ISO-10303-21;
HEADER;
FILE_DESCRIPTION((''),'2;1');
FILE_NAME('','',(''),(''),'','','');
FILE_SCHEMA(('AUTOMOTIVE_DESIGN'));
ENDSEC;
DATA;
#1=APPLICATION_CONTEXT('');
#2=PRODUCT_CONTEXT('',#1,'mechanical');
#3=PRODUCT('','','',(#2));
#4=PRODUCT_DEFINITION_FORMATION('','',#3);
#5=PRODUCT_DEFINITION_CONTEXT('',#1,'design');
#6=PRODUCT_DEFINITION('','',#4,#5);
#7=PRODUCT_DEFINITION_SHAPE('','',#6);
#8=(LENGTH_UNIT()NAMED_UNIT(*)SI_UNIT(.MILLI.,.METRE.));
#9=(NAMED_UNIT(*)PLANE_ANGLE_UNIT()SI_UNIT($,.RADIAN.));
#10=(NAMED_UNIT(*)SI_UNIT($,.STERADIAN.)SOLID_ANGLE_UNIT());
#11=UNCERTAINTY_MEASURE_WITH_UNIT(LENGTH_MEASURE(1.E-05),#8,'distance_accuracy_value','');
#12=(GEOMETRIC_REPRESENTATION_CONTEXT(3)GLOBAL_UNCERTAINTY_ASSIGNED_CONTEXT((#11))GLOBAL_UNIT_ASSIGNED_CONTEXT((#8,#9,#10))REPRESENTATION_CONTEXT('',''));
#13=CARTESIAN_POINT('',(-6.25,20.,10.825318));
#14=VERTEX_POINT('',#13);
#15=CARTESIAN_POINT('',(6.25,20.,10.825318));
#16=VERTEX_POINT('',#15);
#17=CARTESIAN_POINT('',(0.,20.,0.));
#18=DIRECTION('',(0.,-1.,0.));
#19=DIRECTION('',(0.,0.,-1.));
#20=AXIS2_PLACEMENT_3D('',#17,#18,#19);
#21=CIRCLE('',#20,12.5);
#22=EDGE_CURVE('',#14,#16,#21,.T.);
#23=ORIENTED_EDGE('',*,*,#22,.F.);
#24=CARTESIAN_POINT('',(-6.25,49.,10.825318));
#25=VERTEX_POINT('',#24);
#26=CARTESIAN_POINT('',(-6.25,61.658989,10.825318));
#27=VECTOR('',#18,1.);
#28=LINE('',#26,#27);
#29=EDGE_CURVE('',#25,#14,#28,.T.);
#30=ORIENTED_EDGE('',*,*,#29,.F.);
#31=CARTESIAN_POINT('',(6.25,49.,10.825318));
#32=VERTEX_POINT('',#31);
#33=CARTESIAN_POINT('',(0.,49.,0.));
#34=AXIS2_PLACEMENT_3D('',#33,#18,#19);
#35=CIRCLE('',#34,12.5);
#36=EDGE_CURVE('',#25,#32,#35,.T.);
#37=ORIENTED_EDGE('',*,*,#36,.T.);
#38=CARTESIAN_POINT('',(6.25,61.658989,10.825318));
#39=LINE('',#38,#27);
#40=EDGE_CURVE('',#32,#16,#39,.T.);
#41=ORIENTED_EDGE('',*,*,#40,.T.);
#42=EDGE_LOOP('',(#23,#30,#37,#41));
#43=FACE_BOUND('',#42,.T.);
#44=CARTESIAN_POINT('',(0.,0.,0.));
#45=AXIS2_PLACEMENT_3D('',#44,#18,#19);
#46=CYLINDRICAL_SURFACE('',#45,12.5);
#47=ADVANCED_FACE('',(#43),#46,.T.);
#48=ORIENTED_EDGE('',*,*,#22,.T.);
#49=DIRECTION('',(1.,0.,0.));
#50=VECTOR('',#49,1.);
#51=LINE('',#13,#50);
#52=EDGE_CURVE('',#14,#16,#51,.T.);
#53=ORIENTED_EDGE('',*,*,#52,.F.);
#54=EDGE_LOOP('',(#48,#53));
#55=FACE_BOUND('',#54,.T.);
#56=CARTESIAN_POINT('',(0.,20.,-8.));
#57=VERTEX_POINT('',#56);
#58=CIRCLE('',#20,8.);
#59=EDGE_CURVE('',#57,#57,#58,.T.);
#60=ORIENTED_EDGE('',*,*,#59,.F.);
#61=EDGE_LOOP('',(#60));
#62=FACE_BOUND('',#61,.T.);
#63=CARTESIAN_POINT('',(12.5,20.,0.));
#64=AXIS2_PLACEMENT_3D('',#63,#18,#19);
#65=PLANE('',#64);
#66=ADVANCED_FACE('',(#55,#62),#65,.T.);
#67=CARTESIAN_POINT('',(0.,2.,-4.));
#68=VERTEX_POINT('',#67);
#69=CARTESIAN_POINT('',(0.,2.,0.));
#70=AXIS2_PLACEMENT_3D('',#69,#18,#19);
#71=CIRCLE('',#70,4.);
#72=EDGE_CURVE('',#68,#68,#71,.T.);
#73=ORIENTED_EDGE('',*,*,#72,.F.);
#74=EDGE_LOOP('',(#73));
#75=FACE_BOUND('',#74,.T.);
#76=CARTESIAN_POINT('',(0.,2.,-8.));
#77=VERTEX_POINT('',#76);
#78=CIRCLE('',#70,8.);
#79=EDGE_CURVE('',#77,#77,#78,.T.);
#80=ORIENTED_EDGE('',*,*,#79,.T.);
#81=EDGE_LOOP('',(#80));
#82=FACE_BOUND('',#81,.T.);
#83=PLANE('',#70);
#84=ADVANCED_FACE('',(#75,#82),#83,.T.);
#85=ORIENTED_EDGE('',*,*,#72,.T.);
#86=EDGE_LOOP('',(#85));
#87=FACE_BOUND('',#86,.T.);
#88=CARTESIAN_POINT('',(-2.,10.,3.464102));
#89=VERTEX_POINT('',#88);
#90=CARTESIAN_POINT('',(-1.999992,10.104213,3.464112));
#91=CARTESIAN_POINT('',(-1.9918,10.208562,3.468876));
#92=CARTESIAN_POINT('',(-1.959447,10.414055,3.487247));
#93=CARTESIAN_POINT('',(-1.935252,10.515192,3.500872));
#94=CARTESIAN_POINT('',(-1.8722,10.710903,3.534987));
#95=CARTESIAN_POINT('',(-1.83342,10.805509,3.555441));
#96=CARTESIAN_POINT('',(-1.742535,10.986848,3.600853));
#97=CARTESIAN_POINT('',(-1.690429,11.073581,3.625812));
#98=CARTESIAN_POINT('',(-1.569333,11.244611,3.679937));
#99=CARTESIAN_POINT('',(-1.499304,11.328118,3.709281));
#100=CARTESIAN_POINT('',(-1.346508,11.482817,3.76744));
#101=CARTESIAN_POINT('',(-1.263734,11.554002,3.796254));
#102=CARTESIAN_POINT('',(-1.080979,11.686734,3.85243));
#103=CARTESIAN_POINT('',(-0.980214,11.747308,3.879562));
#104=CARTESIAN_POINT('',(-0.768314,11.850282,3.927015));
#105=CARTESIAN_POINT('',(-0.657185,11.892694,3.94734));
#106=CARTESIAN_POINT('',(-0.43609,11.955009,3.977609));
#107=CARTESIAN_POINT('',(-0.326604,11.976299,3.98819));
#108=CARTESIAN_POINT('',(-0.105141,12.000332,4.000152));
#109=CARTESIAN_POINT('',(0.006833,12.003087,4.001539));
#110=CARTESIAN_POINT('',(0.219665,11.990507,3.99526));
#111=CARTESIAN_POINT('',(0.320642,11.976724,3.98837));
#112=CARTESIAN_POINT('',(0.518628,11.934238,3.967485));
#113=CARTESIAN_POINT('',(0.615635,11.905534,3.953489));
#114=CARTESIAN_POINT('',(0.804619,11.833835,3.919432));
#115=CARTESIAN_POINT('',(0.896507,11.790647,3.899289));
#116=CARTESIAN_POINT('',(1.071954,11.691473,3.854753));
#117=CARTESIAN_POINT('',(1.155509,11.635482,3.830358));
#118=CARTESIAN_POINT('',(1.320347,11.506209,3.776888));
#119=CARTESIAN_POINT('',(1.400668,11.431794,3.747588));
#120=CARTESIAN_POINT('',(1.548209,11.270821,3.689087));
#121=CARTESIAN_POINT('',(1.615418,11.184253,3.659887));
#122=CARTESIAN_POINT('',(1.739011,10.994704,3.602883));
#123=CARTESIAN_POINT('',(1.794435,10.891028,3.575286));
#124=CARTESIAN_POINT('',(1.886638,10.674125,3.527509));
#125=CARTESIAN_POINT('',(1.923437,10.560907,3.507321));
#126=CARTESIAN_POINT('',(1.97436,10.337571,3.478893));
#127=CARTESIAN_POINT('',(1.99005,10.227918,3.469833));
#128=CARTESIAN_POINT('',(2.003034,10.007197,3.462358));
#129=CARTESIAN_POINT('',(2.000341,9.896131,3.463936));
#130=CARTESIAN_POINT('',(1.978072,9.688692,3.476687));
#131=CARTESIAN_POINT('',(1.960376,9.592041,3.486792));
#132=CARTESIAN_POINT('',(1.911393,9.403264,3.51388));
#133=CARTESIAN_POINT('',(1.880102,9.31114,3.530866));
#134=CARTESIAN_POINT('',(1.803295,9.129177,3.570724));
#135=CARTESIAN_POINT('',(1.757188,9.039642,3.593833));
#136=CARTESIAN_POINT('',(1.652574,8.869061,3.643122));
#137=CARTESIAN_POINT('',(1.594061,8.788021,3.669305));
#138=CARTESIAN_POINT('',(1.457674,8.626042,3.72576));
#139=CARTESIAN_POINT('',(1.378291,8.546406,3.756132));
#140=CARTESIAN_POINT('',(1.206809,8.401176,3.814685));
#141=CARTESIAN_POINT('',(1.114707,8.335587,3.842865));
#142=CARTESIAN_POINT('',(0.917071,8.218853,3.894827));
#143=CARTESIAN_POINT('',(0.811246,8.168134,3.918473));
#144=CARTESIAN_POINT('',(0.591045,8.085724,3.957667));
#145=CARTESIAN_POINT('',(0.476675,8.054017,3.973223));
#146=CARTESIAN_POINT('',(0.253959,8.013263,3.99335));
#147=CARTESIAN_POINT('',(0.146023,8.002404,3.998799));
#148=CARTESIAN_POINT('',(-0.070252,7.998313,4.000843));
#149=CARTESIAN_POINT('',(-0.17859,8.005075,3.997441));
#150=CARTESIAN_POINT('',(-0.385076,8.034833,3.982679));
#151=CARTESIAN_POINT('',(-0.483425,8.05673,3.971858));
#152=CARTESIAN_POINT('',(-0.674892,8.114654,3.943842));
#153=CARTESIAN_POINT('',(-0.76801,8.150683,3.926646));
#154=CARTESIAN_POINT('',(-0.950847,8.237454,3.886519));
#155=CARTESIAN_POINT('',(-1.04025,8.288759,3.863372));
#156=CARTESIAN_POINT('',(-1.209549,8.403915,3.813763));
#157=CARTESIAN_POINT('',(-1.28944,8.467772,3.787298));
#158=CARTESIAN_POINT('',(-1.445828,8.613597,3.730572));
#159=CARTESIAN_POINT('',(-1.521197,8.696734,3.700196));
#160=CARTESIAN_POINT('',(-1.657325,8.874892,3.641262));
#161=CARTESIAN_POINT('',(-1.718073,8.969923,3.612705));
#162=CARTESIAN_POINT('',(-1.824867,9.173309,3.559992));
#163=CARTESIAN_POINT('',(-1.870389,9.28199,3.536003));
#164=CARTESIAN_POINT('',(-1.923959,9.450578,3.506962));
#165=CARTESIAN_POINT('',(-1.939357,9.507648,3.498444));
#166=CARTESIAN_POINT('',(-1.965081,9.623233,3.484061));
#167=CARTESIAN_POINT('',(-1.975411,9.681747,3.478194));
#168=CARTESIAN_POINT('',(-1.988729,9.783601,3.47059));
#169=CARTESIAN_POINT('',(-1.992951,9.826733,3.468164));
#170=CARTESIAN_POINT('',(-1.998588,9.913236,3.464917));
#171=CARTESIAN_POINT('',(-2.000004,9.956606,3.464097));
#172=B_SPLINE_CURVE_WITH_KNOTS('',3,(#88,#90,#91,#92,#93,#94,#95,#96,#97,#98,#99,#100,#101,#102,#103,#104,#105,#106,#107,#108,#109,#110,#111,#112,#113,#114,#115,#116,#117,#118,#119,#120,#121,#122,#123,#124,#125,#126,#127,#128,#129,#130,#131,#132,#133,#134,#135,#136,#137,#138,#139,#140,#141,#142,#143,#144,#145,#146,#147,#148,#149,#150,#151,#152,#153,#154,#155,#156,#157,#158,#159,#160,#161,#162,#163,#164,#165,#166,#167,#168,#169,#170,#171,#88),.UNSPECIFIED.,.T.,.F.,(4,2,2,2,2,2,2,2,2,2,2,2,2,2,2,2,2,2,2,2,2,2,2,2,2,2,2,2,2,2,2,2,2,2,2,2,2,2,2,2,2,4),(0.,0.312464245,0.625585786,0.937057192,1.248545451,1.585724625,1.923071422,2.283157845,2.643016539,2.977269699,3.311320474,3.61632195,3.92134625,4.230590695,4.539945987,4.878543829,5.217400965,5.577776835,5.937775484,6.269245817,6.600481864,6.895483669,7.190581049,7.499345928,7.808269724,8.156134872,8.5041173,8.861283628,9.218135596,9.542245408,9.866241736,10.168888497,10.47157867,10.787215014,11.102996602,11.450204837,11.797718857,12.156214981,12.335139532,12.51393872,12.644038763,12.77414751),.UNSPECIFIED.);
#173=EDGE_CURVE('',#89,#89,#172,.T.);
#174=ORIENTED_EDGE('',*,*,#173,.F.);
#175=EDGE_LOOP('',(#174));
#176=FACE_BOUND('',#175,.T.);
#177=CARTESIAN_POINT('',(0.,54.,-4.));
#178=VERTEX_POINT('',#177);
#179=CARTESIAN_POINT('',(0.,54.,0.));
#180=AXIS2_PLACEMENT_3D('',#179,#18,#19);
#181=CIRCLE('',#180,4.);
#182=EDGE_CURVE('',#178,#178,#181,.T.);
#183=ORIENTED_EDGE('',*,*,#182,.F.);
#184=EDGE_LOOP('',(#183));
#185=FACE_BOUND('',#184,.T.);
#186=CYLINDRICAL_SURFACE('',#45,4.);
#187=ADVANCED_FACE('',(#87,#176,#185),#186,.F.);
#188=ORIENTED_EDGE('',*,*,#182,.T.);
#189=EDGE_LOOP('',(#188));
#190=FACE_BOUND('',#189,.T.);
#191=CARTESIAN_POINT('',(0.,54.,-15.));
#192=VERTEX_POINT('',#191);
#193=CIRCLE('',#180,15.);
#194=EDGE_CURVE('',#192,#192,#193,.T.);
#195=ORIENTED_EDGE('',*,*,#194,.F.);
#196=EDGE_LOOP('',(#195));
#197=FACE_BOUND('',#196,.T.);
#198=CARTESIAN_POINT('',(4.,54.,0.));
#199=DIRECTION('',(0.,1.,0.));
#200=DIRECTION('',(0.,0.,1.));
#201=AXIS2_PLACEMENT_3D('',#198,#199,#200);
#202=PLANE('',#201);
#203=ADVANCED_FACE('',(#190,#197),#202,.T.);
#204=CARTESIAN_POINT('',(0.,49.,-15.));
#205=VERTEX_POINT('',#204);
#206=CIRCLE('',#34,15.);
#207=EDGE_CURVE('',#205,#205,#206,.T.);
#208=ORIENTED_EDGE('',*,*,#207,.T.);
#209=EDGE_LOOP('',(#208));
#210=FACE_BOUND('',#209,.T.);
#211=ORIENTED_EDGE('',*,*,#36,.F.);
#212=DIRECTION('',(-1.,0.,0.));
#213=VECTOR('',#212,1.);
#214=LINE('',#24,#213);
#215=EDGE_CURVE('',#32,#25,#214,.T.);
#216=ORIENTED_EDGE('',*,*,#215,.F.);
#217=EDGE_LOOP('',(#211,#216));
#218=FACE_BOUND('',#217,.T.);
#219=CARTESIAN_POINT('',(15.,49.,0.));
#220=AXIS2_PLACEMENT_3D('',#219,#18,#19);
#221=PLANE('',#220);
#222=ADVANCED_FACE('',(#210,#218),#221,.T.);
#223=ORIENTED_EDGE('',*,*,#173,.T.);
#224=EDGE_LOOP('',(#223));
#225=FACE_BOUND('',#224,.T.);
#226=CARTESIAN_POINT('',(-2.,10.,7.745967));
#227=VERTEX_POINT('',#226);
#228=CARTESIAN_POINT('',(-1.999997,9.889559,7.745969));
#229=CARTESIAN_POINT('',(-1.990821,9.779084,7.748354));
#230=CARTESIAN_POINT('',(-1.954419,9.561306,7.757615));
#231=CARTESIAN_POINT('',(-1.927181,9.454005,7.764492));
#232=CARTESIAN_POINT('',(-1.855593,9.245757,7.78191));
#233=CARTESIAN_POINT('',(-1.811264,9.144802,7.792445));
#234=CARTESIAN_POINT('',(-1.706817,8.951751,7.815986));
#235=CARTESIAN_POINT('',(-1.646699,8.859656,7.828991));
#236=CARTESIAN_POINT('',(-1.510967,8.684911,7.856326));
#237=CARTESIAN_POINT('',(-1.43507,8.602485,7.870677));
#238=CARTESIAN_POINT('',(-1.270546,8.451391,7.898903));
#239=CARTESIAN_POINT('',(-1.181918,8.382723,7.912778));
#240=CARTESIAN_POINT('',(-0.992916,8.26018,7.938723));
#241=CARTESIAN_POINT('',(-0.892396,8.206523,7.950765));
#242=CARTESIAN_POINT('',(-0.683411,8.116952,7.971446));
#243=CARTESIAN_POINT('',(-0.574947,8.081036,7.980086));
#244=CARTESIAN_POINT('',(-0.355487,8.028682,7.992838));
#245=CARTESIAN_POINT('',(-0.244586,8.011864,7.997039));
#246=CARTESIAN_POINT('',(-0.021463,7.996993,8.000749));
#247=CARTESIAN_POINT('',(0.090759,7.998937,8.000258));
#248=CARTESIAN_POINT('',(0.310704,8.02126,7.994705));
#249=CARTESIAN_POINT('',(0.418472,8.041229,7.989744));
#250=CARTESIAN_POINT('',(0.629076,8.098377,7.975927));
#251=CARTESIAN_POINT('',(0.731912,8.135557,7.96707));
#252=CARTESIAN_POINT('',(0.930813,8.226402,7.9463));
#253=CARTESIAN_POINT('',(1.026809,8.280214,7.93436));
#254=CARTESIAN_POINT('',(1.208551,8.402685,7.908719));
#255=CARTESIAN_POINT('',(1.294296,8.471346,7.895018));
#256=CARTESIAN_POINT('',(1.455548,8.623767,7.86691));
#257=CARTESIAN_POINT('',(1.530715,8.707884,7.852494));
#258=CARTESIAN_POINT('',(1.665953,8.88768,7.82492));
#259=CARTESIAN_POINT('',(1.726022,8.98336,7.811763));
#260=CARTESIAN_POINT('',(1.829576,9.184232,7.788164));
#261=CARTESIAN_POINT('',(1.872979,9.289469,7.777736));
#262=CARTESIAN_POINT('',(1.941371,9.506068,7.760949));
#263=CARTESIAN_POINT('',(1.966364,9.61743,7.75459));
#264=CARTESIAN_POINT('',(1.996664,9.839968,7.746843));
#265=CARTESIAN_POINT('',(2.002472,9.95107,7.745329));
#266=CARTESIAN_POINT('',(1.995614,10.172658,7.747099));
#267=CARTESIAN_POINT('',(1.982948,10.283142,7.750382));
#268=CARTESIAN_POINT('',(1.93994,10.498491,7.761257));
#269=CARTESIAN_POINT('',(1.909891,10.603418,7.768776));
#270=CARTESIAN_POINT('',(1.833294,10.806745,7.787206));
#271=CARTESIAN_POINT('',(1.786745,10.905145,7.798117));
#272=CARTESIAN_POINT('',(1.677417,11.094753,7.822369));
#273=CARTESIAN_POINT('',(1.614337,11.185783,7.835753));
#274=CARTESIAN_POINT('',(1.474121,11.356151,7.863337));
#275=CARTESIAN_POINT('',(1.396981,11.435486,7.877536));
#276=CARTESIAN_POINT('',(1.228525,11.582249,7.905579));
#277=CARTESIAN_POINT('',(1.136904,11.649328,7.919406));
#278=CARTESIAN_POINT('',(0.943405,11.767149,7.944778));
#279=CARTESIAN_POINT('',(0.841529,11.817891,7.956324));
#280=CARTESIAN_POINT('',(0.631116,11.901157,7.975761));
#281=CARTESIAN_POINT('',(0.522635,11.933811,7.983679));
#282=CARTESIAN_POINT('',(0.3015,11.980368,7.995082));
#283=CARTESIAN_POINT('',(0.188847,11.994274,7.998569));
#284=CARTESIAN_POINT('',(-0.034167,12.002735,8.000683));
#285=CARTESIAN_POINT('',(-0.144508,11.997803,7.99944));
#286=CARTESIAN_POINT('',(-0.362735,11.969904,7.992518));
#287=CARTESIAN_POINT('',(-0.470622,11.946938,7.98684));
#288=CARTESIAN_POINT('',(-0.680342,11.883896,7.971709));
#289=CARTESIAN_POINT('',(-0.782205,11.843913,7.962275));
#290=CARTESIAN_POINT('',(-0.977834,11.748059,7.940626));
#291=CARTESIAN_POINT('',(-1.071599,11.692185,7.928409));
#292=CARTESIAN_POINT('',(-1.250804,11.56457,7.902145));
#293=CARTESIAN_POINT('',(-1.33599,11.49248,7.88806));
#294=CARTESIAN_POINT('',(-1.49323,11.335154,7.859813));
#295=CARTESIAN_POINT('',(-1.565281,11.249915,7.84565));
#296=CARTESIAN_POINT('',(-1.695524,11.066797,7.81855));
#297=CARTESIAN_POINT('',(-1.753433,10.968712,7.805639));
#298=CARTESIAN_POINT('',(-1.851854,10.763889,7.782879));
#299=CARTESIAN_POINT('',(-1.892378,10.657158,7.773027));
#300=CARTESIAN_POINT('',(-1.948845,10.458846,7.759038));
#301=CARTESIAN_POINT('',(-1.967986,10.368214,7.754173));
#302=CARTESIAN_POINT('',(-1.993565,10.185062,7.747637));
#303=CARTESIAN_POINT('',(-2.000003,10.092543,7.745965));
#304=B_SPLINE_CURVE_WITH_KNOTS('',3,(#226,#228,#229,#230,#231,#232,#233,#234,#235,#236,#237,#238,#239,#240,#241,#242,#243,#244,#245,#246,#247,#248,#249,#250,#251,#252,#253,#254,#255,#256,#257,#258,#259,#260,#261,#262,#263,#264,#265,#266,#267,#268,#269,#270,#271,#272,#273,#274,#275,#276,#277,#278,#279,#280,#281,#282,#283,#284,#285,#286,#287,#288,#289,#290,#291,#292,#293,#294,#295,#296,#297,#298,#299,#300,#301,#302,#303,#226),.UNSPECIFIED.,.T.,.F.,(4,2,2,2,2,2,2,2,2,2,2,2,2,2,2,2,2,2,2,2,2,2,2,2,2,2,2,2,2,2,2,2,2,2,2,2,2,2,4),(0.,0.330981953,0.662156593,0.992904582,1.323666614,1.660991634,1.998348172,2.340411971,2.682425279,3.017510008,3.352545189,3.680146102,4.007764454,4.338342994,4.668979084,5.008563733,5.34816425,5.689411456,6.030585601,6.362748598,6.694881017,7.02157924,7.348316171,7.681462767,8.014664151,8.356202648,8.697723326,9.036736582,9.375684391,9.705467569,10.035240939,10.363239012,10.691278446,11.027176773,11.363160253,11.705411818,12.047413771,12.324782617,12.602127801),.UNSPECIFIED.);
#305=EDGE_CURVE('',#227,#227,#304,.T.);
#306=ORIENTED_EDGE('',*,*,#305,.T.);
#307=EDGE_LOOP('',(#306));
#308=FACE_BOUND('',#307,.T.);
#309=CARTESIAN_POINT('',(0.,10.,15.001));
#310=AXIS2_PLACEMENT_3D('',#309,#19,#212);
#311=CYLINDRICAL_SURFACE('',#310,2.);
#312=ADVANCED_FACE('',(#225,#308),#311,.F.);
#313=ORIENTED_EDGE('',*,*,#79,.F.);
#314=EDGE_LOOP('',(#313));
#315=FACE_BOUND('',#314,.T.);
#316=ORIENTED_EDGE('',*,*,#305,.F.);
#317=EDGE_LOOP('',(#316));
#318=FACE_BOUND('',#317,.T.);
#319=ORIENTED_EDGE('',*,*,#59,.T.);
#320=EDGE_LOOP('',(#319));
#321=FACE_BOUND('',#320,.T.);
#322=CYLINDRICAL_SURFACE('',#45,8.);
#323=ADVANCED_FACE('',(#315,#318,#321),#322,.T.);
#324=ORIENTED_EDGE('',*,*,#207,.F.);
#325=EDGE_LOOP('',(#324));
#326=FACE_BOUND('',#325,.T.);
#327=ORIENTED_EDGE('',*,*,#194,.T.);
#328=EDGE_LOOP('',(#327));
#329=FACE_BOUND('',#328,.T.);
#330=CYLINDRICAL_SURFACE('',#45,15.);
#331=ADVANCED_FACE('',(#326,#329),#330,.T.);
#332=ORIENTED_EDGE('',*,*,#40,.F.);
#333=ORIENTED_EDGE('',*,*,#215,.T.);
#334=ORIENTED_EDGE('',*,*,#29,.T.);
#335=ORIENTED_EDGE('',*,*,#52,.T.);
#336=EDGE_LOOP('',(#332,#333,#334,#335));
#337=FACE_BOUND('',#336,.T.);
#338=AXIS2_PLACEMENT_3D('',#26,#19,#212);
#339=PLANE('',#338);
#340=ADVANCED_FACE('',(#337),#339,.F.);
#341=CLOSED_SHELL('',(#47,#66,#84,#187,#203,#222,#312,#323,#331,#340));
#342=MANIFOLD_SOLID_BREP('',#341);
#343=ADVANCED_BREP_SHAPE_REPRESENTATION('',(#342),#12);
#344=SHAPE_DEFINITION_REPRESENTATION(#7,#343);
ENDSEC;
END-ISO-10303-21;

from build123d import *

# Parameters (mm, degrees)
SKETCH2_W               = 12.5
SKETCH2_H               = 2
CUT_EXTRUDE1_DEPTH      = 29
CUT_EXTRUDE2_REACH      = 60.017
CUT_EXTRUDE2_END_RADIUS = 8
SKETCH4_R               = 2
SKETCH5_R               = 8
CUT_EXTRUDE3_DEPTH      = 2


with BuildPart() as part:
    # Sketch1 → Revolve1 (revolve)
    with BuildSketch(Plane.XY, mode=Mode.PRIVATE) as revolve1_sk:
        Polygon((4, 0), (4, 54), (15, 54), (15, 49), (12.5, 49), (12.5, 20), (8, 20), (8, 0), align=None)
    revolve(revolve1_sk.sketch.rotate(Axis((0, 0, 0), (0, 1, 0)), 90), axis=Axis((0, 0, 0), (0, 1, 0)))

    # Sketch2 → Cut-Extrude1 (cut)
    with BuildSketch(Plane.XZ.offset(-20)):
        with Locations((0, 11.825317547)):
            Rectangle(SKETCH2_W, SKETCH2_H)
    extrude(amount=-CUT_EXTRUDE1_DEPTH, mode=Mode.SUBTRACT)

    # Cut-Extrude2: up to this cylinder (the profile starts inside it)
    cut_extrude2_end = Plane(origin=(0, 10, 0), z_dir=(0, -1, 0)) * Cylinder(CUT_EXTRUDE2_END_RADIUS, 137.034, mode=Mode.PRIVATE)
    # Sketch4 → Cut-Extrude2 (cut, up to the surface)
    with BuildSketch(Plane.XY, mode=Mode.PRIVATE) as cut_extrude2_sk1:
        with Locations(Location((0, 10, 0), (0, 0, 180))):
            Circle(SKETCH4_R)
    cut_extrude2_tool1 = extrude(cut_extrude2_sk1.sketch, amount=CUT_EXTRUDE2_REACH, mode=Mode.PRIVATE) & cut_extrude2_end
    add(cut_extrude2_tool1.solids().sort_by_distance((0, 10, 0))[0], mode=Mode.SUBTRACT)

    # Sketch5 → Cut-Extrude3 (cut)
    with BuildSketch(Plane.XZ):
        with Locations(Location((0, 0, 0), (0, 0, 270))):
            Circle(SKETCH5_R)
    extrude(amount=-CUT_EXTRUDE3_DEPTH, mode=Mode.SUBTRACT)


solid = part.part
